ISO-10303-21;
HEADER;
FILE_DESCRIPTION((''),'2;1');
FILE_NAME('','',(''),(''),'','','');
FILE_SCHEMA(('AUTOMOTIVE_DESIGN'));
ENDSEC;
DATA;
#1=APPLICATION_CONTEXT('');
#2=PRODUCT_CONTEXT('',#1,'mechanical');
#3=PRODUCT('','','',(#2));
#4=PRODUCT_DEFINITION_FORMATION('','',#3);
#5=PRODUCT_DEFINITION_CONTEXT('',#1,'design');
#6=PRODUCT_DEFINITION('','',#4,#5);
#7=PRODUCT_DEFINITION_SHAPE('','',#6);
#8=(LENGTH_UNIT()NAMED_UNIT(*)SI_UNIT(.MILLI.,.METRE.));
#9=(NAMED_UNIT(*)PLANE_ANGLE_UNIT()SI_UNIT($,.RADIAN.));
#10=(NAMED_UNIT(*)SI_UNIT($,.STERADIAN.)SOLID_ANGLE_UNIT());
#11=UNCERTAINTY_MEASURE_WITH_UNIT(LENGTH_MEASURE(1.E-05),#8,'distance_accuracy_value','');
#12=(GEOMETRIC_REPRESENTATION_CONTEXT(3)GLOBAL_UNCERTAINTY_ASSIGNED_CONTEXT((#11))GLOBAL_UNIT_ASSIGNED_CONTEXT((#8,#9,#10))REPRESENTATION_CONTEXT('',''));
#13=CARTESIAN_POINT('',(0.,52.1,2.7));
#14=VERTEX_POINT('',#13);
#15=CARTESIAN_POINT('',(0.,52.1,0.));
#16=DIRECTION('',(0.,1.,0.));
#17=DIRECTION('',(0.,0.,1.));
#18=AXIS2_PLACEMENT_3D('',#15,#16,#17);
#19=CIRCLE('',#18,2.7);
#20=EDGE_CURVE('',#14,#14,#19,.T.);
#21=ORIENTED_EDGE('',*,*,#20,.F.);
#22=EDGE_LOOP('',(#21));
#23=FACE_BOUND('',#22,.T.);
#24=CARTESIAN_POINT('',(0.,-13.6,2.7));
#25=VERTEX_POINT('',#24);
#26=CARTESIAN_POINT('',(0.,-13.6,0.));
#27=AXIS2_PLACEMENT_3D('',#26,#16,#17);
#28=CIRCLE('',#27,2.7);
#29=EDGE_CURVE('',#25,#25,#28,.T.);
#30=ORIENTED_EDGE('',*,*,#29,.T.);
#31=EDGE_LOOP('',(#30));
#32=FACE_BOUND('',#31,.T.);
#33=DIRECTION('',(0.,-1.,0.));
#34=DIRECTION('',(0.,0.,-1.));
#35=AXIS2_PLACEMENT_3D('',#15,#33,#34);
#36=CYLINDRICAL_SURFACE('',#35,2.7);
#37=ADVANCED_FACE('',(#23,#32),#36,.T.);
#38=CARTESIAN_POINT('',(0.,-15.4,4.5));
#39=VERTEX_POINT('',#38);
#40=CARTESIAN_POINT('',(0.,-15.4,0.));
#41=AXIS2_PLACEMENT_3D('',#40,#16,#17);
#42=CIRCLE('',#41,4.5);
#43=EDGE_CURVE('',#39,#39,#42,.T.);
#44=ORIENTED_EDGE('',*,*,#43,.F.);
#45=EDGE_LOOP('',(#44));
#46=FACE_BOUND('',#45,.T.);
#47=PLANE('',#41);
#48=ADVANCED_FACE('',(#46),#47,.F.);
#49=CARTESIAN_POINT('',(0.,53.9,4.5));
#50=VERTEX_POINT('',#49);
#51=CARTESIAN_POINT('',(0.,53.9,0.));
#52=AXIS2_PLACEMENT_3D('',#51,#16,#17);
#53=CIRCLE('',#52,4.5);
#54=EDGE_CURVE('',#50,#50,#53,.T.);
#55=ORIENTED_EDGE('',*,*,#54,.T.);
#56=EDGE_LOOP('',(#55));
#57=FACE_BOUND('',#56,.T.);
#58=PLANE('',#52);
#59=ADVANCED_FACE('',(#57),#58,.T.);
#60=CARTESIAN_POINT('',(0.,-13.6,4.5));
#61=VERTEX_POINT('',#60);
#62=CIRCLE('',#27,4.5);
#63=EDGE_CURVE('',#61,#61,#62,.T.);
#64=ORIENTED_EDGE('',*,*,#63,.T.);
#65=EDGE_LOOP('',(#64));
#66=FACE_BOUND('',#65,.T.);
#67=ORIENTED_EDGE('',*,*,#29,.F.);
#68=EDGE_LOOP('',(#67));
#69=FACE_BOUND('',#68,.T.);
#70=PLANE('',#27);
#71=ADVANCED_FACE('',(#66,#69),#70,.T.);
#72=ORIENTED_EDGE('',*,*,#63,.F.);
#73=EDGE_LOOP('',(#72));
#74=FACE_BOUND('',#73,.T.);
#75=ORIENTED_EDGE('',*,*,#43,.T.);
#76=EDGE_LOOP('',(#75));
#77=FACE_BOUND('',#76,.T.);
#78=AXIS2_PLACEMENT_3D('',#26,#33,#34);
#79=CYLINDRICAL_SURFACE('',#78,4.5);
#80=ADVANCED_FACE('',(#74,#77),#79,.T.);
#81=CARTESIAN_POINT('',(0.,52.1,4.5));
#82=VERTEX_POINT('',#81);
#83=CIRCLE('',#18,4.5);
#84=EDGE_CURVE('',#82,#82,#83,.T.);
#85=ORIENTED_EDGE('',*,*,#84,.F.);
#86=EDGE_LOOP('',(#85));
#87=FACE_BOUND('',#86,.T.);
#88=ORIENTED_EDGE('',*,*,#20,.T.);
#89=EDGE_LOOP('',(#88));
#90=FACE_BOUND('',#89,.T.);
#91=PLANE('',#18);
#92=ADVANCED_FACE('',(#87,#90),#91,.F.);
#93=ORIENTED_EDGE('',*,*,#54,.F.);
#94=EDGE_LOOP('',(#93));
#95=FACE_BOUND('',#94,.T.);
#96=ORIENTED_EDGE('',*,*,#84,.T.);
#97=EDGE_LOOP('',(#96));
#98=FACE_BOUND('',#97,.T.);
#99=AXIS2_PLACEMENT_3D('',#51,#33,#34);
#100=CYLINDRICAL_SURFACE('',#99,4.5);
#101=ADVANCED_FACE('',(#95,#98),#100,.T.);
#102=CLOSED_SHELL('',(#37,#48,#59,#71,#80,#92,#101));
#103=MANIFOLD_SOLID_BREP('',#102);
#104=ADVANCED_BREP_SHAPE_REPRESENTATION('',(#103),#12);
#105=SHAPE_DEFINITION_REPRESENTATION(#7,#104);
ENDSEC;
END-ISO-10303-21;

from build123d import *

# Parameters (mm, degrees)
SKETCH1_R           = 2.5
BOSS_EXTRUDE1_DEPTH = 1
SKETCH2_R           = 1.5
BOSS_EXTRUDE2_DEPTH = 36.5
SKETCH3_R           = 2.5
BOSS_EXTRUDE3_DEPTH = 1
SCALE1_SCALE        = 1.8


with BuildPart() as part:
    # Sketch1 → Boss-Extrude1 (new body)
    with BuildSketch(Plane(origin=(0, 0, 0), x_dir=(1, 0, 0), z_dir=(0, 1, 0))):
        Circle(SKETCH1_R)
    extrude(amount=BOSS_EXTRUDE1_DEPTH)

    # Sketch2 → Boss-Extrude2 (add)
    with BuildSketch(Plane(origin=(0, 1, 0), x_dir=(1, 0, 0), z_dir=(0, 1, 0))):
        Circle(SKETCH2_R)
    extrude(amount=BOSS_EXTRUDE2_DEPTH)

    # Sketch3 → Boss-Extrude3 (add)
    with BuildSketch(Plane(origin=(0, 37.5, 0), x_dir=(1, 0, 0), z_dir=(0, 1, 0))):
        Circle(SKETCH3_R)
    extrude(amount=BOSS_EXTRUDE3_DEPTH)


with BuildPart() as part_1:
    # Scale1: scaled about (0, 19.25, 0)
    add(part.part.scale(SCALE1_SCALE).moved(Location((0, -15.4, 0))))


solid = part_1.part
